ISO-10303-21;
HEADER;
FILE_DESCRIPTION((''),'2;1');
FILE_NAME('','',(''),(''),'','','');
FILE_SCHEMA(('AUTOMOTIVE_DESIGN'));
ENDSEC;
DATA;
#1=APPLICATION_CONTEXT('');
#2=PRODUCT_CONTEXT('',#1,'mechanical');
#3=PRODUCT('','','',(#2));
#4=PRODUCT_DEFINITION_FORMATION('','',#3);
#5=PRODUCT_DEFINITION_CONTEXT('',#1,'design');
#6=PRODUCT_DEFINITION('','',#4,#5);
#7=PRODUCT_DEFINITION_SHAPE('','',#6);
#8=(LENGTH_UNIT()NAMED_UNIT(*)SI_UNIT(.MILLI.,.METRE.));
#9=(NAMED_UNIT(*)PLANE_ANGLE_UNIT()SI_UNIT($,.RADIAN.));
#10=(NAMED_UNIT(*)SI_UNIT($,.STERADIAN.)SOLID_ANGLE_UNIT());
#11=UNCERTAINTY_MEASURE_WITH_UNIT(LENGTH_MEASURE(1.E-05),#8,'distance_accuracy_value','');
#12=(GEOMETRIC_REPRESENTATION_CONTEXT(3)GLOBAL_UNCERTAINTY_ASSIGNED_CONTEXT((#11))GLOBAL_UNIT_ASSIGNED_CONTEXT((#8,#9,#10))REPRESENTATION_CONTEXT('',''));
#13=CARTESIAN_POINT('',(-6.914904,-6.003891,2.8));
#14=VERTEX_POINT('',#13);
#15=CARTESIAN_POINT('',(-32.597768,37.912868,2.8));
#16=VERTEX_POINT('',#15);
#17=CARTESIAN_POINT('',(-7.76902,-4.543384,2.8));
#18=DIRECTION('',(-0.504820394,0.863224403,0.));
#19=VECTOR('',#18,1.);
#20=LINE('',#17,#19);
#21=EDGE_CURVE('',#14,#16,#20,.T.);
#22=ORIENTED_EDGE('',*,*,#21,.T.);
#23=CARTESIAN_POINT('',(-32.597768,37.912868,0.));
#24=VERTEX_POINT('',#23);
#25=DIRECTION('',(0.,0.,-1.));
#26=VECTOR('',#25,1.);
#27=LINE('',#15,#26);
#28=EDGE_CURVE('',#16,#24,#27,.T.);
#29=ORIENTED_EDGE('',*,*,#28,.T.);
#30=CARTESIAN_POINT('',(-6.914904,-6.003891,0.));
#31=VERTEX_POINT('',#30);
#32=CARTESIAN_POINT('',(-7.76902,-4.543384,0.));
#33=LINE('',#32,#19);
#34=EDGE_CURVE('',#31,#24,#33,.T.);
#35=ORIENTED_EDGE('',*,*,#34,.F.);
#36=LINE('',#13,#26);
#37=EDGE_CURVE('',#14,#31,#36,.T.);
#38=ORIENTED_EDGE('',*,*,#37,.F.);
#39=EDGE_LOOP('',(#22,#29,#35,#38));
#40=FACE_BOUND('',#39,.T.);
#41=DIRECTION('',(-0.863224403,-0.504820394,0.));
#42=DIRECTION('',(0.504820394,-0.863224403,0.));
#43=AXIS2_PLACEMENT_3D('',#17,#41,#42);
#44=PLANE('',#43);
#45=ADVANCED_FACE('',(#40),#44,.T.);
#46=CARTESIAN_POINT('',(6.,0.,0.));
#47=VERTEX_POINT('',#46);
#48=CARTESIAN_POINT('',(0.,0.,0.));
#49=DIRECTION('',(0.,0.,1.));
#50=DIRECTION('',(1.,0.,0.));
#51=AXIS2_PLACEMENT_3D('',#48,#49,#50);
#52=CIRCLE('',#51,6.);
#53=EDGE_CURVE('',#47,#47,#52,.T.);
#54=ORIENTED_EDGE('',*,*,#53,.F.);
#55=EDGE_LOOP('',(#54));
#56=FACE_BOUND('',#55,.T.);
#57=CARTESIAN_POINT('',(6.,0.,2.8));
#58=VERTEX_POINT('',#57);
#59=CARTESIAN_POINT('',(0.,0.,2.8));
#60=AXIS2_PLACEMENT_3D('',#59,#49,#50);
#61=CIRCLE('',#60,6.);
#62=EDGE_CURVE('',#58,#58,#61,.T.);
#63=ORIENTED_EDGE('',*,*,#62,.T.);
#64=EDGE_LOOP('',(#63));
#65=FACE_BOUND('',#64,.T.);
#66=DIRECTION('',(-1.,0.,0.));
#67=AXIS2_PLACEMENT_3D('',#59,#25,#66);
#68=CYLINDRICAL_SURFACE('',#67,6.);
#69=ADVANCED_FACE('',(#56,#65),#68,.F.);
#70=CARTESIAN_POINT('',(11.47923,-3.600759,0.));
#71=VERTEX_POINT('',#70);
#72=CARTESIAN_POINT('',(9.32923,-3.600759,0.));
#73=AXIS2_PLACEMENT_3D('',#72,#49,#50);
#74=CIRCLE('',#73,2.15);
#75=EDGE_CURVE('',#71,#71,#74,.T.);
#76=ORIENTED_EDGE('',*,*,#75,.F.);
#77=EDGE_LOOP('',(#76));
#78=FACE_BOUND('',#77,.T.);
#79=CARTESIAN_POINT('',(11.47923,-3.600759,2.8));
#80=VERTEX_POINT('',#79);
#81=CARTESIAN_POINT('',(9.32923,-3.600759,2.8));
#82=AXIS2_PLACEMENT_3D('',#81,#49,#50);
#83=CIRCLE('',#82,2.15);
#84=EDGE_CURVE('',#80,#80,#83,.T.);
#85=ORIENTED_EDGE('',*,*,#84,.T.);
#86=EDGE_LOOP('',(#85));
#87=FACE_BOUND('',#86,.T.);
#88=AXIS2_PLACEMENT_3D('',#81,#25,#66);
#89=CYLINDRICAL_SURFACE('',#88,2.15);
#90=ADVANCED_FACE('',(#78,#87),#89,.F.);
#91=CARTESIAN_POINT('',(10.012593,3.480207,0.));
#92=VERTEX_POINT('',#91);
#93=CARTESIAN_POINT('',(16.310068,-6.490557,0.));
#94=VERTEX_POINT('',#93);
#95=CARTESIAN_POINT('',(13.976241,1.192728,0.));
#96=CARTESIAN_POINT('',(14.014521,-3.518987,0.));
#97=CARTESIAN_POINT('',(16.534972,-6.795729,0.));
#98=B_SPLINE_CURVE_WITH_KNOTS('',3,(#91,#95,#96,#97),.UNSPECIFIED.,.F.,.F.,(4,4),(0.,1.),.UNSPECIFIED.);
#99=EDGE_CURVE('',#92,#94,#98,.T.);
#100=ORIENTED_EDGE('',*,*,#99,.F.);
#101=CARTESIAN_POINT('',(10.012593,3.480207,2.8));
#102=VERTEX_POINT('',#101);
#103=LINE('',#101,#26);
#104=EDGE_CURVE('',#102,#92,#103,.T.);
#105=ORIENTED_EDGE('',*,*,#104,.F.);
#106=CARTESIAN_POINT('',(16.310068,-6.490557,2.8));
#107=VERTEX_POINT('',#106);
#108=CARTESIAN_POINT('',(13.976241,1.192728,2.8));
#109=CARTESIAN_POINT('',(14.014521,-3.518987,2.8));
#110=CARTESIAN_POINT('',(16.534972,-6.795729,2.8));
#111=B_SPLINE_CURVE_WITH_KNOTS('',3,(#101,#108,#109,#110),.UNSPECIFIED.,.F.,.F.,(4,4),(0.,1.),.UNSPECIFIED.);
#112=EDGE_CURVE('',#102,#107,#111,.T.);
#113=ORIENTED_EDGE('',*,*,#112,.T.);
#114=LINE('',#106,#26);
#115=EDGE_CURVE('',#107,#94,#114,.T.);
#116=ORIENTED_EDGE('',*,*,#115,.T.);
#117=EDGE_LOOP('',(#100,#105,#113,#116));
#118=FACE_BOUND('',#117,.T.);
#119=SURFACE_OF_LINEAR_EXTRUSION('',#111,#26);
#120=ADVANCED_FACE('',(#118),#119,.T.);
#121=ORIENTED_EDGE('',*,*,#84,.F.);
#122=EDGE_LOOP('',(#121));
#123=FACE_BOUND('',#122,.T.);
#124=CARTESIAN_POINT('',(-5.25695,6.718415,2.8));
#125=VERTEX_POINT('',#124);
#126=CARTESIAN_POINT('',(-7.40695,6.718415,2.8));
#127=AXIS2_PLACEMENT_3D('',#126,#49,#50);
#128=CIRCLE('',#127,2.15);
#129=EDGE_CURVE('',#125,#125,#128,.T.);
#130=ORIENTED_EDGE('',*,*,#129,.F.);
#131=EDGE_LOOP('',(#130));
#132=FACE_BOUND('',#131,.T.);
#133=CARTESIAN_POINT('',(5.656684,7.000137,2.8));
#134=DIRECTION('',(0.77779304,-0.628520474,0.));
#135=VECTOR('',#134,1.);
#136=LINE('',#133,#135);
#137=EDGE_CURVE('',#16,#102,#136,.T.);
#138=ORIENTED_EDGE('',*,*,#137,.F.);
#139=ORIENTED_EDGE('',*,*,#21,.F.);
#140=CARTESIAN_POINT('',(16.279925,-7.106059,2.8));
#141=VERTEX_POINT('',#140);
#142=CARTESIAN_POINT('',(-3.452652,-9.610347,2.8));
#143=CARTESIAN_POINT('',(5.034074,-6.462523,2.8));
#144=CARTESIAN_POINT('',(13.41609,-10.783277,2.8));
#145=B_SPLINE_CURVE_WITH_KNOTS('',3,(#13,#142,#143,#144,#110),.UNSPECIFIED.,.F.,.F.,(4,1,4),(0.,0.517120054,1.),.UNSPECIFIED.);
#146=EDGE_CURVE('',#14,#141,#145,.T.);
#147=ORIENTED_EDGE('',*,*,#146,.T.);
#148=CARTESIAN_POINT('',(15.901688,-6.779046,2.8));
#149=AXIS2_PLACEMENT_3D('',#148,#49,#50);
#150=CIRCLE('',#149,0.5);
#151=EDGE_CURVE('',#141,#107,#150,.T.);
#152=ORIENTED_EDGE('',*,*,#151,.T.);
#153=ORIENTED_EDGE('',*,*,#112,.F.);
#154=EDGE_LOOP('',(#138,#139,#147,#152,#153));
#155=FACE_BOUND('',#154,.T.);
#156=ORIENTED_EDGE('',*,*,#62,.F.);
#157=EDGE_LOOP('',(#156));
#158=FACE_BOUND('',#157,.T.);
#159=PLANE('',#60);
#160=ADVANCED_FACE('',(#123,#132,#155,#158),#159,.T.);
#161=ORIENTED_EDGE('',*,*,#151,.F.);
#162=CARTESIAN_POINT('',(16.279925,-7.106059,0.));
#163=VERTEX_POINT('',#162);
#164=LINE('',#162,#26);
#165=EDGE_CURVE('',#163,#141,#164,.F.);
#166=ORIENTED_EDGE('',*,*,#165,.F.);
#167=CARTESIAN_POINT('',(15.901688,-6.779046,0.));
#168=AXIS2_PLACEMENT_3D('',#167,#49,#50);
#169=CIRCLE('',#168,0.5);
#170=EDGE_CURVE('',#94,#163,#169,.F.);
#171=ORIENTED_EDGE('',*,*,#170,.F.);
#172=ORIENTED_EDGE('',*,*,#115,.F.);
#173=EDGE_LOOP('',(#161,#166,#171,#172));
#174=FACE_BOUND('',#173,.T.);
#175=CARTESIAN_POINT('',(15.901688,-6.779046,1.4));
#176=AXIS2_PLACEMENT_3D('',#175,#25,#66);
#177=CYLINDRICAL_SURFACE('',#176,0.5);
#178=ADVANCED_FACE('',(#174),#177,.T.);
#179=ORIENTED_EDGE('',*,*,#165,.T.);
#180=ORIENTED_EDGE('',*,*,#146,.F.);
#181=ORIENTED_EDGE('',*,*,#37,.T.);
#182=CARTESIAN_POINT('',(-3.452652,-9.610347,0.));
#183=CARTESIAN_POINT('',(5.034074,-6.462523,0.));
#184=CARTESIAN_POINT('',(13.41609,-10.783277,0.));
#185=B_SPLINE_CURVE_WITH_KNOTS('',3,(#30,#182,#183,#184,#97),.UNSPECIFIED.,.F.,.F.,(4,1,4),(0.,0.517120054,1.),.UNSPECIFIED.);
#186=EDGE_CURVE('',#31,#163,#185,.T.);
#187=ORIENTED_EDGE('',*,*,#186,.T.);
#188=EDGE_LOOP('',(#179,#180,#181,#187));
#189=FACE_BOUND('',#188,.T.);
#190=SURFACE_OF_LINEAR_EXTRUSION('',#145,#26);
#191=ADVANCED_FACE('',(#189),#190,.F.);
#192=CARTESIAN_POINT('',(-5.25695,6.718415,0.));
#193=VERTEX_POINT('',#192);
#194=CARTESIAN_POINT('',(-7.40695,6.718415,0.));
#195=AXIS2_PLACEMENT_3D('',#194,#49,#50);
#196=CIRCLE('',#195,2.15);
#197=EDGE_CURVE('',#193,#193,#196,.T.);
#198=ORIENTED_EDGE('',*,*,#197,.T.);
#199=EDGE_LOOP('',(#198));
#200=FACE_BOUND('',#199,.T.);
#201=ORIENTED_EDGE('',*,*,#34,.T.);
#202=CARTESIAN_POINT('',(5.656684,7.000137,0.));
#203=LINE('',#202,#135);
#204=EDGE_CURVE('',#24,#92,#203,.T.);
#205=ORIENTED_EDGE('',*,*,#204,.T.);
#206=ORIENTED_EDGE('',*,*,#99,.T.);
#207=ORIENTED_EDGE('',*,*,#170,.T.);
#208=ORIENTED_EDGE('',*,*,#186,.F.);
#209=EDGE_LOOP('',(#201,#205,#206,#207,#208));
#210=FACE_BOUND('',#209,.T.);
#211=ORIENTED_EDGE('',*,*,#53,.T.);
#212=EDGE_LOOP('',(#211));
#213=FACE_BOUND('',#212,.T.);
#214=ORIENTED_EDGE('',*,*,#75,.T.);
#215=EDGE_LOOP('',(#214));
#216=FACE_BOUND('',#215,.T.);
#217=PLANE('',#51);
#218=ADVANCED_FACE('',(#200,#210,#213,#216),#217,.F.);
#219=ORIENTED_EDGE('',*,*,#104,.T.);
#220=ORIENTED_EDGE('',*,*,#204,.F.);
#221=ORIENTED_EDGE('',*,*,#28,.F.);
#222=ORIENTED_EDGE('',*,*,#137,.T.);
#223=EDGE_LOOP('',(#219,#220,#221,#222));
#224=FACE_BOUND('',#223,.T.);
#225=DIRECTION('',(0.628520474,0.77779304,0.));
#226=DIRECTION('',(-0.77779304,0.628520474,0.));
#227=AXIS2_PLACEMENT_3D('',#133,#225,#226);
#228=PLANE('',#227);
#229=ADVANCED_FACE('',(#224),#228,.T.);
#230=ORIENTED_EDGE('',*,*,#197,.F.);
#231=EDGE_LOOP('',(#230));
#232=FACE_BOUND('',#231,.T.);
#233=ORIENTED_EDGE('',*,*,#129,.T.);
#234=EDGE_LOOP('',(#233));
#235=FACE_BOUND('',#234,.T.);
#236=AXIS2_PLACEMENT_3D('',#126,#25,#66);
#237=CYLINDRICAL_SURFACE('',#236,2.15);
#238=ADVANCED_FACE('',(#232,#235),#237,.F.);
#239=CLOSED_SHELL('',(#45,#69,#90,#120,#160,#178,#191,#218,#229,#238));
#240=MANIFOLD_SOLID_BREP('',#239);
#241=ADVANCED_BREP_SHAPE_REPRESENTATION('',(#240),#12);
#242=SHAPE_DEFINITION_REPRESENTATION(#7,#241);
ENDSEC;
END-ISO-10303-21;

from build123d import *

# Parameters (mm, degrees)
SKETCH1_R           = 6
SKETCH1_R_2         = 2.15
BOSS_EXTRUDE3_DEPTH = 2.8
FILLET2_R           = 0.5


with BuildPart() as part:
    # Sketch1 → Boss-Extrude3 (new body)
    with BuildSketch(Plane.XY):
        with BuildLine():
            Line((-6.914903584, -6.003890728), (-32.597767901, 37.912867577))
            Line((-32.597767901, 37.912867577), (10.012592639, 3.48020667))
            add(Edge.make_bspline(
                [(10.012592639, 3.48020667), (13.976241168, 1.192727745), (14.014521415, -3.518986682), (16.534972158, -6.795729316)],
                knots=[0, 0, 0, 0, 1, 1, 1, 1], degree=3))
            add(Edge.make_bspline(
                [(-6.914903584, -6.003890728), (-3.45265208, -9.610347217), (5.034074198, -6.462522657), (13.416090218, -10.783276778), (16.534972158, -6.795729316)],
                knots=[0, 0, 0, 0, 0.517120054, 1, 1, 1, 1], degree=3))
        make_face()
        Circle(SKETCH1_R, mode=Mode.SUBTRACT)
        with Locations((-7.406949835, 6.718414556)):
            Circle(SKETCH1_R_2, mode=Mode.SUBTRACT)
        with Locations((9.329230051, -3.600759177)):
            Circle(SKETCH1_R_2, mode=Mode.SUBTRACT)
    extrude(amount=BOSS_EXTRUDE3_DEPTH)

    # Fillet2
    fillet2_edges = [part.edges().sort_by_distance(p)[0] for p in [
        (16.534972158, -6.795729316, 1.4),
    ]]
    fillet(fillet2_edges, radius=FILLET2_R)


solid = part.part
